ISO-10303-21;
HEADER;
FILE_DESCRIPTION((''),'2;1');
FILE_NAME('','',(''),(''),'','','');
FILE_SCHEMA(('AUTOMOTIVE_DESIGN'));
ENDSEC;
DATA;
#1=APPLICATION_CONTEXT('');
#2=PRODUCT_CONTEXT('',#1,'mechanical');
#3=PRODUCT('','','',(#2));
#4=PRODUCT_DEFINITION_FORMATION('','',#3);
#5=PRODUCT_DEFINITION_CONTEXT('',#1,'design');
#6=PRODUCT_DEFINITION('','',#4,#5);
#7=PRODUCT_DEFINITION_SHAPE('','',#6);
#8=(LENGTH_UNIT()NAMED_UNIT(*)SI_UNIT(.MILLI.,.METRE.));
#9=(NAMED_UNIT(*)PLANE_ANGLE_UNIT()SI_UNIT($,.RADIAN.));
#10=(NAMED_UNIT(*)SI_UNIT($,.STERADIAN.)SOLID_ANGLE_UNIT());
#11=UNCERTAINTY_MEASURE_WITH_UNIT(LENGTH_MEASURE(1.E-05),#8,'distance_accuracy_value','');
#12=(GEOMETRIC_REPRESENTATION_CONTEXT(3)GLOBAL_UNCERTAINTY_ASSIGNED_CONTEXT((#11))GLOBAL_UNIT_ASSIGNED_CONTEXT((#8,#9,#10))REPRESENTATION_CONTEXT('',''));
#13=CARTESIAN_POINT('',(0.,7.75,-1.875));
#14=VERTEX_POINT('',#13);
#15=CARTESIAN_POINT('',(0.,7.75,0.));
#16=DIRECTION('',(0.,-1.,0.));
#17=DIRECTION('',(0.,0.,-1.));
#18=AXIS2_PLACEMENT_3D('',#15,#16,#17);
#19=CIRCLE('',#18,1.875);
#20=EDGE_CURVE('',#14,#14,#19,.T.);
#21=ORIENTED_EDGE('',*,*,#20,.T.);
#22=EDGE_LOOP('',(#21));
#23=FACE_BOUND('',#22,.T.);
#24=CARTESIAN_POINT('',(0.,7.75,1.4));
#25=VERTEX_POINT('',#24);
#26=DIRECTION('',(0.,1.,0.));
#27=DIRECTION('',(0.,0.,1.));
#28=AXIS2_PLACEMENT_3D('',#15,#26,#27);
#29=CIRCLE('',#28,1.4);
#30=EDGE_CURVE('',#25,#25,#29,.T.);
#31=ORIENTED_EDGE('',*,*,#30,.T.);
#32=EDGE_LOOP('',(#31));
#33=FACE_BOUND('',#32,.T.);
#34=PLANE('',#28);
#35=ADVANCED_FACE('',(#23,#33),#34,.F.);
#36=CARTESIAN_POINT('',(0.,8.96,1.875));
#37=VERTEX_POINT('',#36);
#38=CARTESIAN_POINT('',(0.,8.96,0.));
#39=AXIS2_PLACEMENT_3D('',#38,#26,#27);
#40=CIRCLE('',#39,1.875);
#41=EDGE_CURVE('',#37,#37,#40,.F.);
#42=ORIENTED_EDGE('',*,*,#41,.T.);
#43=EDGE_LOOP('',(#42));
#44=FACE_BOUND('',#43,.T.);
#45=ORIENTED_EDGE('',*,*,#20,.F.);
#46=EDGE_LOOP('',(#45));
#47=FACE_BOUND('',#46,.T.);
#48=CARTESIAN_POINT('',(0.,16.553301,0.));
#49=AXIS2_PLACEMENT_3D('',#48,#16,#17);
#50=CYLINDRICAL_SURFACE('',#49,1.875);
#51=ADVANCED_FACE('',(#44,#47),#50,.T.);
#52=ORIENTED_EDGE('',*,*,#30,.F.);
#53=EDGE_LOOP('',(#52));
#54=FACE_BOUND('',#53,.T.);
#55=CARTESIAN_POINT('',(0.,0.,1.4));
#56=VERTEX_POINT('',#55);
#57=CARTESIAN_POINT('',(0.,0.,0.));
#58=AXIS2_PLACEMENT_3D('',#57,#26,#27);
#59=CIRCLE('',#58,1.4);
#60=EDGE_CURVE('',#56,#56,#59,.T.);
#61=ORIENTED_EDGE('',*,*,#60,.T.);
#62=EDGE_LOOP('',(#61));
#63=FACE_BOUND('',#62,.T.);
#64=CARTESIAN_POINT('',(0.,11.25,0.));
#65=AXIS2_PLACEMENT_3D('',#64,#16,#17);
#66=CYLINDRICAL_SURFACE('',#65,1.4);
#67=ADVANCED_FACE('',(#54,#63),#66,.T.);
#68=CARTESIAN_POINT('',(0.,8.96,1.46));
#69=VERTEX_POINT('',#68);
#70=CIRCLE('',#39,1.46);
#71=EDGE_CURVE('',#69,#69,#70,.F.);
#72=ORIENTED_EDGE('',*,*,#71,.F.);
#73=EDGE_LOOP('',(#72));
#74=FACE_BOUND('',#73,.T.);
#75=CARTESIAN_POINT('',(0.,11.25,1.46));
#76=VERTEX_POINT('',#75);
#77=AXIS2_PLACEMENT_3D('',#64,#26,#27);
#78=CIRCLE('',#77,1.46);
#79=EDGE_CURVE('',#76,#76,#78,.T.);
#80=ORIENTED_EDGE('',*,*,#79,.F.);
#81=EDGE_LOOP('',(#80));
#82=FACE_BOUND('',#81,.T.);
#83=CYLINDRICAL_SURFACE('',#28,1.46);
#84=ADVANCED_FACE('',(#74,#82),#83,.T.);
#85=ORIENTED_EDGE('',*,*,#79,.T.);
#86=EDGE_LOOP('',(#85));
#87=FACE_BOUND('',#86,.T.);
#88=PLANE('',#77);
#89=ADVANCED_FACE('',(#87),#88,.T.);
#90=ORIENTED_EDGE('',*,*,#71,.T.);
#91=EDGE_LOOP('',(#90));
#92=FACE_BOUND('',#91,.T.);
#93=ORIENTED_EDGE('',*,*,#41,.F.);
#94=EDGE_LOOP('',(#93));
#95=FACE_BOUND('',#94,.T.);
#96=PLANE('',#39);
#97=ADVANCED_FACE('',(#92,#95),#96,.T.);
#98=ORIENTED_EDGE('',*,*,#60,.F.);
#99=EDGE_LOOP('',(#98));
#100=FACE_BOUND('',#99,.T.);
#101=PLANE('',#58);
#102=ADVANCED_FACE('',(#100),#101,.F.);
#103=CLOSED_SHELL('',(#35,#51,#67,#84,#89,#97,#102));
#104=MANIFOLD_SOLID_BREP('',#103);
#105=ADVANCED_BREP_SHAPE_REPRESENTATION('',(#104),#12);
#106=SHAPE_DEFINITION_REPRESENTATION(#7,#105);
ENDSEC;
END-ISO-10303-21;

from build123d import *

# Parameters (mm, degrees)
SKETCH1_R           = 1.4
BOSS_EXTRUDE1_DEPTH = 11.25
SKETCH2_R           = 1.46
BOSS_EXTRUDE2_DEPTH = 3.5
SKETCH3_R           = 1.875
BOSS_EXTRUDE3_DEPTH = 1.21


with BuildPart() as part:
    # Sketch1 → Boss-Extrude1 (new body)
    with BuildSketch(Plane(origin=(0, 0, 0), x_dir=(1, 0, 0), z_dir=(0, 1, 0))):
        Circle(SKETCH1_R)
    extrude(amount=BOSS_EXTRUDE1_DEPTH)

    # Sketch2 → Boss-Extrude2 (add)
    with BuildSketch(Plane(origin=(0, 11.25, 0), x_dir=(1, 0, 0), z_dir=(0, 1, 0))):
        Circle(SKETCH2_R)
    extrude(amount=-BOSS_EXTRUDE2_DEPTH)

    # Sketch3 → Boss-Extrude3 (add)
    with BuildSketch(Plane.XZ.offset(-7.75)):
        Circle(SKETCH3_R)
    extrude(amount=-BOSS_EXTRUDE3_DEPTH)


solid = part.part
